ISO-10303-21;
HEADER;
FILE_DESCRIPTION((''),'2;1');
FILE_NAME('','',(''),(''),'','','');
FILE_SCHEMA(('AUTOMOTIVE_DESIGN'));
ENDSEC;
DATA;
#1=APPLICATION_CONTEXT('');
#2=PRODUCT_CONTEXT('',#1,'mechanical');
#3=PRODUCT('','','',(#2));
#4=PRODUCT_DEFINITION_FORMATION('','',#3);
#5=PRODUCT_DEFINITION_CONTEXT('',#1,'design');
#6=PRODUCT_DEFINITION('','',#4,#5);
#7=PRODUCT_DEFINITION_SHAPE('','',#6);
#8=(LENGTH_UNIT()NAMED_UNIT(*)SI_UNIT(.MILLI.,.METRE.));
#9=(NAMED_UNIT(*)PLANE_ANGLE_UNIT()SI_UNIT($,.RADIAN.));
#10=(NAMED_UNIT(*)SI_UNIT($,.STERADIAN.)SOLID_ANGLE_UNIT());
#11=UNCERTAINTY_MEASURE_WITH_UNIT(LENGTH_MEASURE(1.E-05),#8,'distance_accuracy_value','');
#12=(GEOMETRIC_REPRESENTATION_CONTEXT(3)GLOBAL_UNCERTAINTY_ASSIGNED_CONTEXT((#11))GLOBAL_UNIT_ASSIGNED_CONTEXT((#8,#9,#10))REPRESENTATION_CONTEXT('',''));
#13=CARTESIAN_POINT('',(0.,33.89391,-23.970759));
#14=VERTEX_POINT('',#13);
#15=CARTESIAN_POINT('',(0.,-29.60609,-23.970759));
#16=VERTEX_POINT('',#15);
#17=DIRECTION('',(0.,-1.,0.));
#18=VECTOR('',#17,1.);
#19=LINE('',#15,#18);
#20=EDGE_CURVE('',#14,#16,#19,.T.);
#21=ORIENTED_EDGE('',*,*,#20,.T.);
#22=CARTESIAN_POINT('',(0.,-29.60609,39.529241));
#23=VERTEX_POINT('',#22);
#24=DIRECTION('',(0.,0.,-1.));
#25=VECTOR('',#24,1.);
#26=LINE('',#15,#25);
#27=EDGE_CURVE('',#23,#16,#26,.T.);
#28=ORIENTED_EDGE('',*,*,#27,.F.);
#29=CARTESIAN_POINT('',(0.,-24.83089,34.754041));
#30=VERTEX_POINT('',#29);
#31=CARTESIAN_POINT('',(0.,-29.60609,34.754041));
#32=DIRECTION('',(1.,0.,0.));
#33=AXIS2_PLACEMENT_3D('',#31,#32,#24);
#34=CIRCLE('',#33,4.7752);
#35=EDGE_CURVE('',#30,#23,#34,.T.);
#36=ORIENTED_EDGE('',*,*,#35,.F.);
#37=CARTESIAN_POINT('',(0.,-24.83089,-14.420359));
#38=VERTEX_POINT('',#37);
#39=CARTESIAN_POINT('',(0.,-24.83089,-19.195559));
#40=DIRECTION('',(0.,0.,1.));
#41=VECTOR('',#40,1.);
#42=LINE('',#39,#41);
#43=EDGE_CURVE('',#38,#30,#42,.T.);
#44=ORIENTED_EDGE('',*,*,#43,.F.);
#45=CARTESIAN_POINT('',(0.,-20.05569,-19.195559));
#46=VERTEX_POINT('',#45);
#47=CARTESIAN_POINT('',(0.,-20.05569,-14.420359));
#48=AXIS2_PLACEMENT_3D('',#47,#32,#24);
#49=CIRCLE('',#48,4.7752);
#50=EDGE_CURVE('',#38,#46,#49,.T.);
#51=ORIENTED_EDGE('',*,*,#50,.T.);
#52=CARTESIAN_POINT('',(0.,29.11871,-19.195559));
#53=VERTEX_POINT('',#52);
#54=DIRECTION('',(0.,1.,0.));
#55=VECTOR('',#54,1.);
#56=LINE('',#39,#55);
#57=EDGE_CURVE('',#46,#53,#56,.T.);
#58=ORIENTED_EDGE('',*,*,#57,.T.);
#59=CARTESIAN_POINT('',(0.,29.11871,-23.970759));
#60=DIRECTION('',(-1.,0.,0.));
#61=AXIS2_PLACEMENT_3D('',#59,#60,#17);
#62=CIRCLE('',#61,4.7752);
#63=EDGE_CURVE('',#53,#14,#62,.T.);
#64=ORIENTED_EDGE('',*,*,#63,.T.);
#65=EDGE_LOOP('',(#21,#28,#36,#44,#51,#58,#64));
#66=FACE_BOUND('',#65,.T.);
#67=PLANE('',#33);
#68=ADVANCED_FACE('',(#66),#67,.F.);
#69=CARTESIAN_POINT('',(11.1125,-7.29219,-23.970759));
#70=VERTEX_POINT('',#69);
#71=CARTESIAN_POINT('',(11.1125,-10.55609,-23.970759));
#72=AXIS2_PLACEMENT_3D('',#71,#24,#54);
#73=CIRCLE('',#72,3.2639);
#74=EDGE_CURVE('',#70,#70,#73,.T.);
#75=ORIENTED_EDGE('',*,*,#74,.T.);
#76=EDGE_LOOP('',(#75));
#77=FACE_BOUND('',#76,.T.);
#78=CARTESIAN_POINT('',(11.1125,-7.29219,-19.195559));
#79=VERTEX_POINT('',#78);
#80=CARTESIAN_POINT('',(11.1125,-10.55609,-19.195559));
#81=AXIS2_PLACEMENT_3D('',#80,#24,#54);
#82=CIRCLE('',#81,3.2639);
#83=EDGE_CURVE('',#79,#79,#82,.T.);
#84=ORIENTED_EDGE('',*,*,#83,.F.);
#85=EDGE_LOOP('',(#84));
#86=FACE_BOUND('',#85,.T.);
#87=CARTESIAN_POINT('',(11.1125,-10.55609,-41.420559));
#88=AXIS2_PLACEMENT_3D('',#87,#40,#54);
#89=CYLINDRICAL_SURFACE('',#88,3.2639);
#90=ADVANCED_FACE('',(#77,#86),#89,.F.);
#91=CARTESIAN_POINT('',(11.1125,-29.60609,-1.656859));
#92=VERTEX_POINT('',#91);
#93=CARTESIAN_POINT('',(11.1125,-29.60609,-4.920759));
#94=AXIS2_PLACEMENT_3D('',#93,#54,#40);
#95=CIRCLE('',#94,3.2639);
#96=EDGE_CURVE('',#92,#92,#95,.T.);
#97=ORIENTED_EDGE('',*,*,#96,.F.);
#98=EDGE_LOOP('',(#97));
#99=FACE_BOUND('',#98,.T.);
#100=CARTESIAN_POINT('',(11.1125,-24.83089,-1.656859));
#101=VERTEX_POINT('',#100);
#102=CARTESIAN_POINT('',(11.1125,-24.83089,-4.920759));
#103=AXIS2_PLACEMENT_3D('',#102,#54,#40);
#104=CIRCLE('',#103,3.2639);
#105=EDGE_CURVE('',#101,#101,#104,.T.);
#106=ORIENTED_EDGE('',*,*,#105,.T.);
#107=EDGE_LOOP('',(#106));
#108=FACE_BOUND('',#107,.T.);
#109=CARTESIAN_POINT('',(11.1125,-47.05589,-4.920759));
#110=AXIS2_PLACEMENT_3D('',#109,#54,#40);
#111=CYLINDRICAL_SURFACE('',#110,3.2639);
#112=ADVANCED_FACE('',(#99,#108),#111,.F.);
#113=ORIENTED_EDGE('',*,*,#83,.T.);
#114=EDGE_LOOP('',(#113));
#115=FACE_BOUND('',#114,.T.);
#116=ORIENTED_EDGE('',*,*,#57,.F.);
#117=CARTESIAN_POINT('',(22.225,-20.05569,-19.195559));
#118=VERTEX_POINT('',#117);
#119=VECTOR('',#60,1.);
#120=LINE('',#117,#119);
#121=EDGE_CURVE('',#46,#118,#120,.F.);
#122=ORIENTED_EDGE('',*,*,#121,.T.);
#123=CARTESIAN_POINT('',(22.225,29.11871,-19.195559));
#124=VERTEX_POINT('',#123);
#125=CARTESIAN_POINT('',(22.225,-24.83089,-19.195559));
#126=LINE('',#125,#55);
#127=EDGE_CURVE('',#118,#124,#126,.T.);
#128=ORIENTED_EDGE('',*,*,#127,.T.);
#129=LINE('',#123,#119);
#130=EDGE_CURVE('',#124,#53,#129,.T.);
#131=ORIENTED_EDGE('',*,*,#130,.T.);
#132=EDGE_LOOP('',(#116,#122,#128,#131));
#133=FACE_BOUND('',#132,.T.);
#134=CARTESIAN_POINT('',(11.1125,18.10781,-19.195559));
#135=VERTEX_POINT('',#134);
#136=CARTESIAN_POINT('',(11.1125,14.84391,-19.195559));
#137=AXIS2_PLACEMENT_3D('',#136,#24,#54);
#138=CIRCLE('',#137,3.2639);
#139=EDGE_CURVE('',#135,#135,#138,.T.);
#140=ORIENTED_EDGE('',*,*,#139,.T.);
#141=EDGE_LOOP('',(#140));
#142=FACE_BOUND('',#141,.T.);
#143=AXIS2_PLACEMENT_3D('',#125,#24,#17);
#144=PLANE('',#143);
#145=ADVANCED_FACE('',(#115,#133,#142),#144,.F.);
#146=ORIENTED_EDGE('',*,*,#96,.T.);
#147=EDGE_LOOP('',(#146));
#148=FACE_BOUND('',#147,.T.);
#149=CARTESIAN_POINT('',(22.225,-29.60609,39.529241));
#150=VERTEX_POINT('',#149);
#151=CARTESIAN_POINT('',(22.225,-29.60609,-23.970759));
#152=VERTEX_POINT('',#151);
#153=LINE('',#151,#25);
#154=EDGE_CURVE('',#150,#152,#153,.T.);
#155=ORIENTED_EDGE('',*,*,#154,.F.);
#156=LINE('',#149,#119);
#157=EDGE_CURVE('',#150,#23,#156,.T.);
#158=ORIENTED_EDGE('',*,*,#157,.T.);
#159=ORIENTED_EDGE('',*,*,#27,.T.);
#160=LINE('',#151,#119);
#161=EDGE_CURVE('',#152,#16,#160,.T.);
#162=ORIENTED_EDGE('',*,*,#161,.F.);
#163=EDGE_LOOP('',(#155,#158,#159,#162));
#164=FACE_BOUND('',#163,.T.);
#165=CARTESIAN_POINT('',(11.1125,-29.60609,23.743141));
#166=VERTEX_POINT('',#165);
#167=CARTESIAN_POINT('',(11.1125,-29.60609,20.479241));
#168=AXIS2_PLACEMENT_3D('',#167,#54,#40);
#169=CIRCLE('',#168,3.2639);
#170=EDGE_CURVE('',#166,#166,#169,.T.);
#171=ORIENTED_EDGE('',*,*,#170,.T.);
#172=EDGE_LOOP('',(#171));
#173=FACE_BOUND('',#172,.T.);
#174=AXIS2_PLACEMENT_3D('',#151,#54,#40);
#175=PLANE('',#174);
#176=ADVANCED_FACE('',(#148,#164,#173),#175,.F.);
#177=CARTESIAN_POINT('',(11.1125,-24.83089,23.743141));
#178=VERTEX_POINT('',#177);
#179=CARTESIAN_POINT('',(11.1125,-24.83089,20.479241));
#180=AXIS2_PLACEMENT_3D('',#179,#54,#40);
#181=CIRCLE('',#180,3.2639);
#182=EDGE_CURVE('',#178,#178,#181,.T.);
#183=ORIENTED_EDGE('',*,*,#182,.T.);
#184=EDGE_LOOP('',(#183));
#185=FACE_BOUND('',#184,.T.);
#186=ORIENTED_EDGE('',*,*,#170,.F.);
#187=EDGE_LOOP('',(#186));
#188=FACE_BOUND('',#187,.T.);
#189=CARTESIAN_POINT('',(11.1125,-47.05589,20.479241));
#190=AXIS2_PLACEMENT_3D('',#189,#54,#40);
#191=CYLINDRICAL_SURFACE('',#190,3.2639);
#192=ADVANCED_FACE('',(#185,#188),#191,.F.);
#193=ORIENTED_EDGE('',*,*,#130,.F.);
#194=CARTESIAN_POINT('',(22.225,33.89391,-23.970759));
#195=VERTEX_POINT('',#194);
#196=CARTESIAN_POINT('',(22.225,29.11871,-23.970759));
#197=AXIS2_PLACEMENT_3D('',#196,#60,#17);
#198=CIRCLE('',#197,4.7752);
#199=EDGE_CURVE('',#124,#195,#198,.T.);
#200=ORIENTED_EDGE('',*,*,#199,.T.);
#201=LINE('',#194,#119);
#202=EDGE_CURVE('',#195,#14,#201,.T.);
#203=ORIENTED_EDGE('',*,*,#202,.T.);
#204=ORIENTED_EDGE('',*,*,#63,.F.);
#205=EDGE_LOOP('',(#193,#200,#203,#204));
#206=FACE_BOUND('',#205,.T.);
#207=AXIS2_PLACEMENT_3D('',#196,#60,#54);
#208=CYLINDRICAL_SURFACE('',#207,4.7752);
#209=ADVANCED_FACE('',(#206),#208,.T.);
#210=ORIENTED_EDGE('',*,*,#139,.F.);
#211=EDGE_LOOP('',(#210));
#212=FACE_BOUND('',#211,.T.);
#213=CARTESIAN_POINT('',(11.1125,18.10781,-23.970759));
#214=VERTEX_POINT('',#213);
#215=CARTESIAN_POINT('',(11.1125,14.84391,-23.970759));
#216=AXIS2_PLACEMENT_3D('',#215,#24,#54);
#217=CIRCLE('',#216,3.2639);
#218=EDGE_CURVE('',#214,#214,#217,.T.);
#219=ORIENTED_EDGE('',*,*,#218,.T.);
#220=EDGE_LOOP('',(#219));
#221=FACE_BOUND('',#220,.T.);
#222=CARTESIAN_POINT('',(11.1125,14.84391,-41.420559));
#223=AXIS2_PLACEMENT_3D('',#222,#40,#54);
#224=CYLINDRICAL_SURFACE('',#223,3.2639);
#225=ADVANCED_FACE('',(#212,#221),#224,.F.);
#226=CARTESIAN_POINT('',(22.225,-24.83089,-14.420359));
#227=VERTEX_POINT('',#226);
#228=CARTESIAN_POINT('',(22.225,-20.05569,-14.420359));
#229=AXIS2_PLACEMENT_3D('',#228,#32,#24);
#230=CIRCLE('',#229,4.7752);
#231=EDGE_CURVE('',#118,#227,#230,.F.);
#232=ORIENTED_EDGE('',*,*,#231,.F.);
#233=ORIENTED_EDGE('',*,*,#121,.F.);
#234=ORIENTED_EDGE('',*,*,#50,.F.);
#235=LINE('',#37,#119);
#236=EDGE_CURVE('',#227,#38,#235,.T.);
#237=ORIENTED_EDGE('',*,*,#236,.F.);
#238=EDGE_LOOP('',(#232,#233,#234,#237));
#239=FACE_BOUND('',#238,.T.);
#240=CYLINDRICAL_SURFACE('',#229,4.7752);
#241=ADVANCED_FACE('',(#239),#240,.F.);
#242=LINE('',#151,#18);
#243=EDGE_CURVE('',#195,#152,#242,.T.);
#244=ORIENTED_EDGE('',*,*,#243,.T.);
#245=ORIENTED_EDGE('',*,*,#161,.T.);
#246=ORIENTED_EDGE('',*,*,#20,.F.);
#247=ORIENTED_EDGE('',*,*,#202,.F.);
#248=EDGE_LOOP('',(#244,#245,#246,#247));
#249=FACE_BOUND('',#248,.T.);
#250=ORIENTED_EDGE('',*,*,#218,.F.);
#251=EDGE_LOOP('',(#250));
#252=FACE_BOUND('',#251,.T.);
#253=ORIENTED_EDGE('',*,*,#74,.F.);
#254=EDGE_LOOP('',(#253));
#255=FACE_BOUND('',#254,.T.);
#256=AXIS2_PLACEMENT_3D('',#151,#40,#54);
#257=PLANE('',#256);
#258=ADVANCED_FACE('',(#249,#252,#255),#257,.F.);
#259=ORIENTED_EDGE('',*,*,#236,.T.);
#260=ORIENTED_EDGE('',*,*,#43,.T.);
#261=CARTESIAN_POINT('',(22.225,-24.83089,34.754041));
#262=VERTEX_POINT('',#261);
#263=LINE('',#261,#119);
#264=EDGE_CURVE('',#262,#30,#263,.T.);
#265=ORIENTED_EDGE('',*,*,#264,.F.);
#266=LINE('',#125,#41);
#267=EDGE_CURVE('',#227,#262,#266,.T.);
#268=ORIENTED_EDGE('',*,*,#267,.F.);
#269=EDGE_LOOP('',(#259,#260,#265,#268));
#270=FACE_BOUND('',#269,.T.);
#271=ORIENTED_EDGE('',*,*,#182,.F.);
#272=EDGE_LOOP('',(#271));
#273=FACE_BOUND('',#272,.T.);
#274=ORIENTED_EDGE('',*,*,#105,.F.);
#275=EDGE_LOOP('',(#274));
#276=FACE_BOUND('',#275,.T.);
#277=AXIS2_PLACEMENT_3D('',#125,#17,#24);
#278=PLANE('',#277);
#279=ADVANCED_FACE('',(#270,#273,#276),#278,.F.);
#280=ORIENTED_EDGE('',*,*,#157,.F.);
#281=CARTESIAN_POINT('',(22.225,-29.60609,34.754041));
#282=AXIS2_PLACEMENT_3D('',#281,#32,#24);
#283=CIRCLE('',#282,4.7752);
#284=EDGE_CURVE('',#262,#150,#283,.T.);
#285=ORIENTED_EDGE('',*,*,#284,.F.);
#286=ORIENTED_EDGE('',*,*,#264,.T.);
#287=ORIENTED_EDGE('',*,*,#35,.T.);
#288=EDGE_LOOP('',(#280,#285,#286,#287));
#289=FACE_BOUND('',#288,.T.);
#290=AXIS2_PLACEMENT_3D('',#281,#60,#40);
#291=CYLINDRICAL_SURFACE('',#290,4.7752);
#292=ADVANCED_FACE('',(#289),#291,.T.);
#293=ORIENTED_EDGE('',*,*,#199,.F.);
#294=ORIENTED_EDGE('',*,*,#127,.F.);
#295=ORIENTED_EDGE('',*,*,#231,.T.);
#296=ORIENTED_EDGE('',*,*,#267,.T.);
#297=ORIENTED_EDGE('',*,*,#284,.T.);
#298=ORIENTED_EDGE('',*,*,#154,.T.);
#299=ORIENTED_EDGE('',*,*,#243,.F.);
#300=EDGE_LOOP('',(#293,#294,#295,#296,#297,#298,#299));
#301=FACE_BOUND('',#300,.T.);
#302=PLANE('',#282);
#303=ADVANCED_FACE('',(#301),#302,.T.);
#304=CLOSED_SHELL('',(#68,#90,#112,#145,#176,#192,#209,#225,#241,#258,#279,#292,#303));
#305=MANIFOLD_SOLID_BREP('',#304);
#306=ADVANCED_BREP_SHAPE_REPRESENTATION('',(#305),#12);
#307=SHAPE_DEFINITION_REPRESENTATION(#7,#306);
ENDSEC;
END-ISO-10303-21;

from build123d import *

# Parameters (mm, degrees)
EXTRUDE1_DEPTH     = 22.225
SKETCH2_R          = 3.2639
CUT_EXTRUDE1_DEPTH = 22.225
FILLET1_R          = 4.7752


with BuildPart() as part:
    # Sketch1 → Extrude1 (new body)
    with BuildSketch(Plane(origin=(0, 0, 0), x_dir=(0, 0, -1), z_dir=(1, 0, 0))):
        with BuildLine():
            Line((23.97075862, -29.606090317), (19.19555862, -24.830890317))
            Line((19.19555862, -24.830890317), (-34.75404138, -24.830890317))
            ThreePointArc((-34.75404138, -24.830890317), (-38.130617682, -26.229514015), (-39.52924138, -29.606090317))
            Line((-39.52924138, -29.606090317), (23.97075862, -29.606090317))
        make_face()
    extrude(amount=EXTRUDE1_DEPTH)

    # Sketch2 → Cut-Extrude1 (cut)
    with BuildSketch(Plane(origin=(0, -24.830890317, 0), x_dir=(1, 0, 0), z_dir=(0, 1, 0))):
        with Locations(Location((11.1125, -20.47924138, 0), (0, 0, 270))):  # turned: the seam where the file's is
            Circle(SKETCH2_R)
        with Locations(Location((11.1125, 4.92075862, 0), (0, 0, 270))):  # turned: the seam where the file's is
            Circle(SKETCH2_R)
    extrude(amount=-CUT_EXTRUDE1_DEPTH, mode=Mode.SUBTRACT)

    # Mirror1: part across plane


with BuildPart() as part_1:
    add(part.part)
    add(part.part.mirror(Plane(origin=(22.225, -29.606090317, -23.97075862), x_dir=(0, 0.707106781, 0.707106781), z_dir=(0, -0.707106781, 0.707106781))))

    # Fillet1
    fillet1_edges = [part_1.edges().sort_by_distance(p)[0] for p in [
        (11.1125, -24.830890317, -19.19555862),
    ]]
    fillet(fillet1_edges, radius=FILLET1_R)


solid = part_1.part
